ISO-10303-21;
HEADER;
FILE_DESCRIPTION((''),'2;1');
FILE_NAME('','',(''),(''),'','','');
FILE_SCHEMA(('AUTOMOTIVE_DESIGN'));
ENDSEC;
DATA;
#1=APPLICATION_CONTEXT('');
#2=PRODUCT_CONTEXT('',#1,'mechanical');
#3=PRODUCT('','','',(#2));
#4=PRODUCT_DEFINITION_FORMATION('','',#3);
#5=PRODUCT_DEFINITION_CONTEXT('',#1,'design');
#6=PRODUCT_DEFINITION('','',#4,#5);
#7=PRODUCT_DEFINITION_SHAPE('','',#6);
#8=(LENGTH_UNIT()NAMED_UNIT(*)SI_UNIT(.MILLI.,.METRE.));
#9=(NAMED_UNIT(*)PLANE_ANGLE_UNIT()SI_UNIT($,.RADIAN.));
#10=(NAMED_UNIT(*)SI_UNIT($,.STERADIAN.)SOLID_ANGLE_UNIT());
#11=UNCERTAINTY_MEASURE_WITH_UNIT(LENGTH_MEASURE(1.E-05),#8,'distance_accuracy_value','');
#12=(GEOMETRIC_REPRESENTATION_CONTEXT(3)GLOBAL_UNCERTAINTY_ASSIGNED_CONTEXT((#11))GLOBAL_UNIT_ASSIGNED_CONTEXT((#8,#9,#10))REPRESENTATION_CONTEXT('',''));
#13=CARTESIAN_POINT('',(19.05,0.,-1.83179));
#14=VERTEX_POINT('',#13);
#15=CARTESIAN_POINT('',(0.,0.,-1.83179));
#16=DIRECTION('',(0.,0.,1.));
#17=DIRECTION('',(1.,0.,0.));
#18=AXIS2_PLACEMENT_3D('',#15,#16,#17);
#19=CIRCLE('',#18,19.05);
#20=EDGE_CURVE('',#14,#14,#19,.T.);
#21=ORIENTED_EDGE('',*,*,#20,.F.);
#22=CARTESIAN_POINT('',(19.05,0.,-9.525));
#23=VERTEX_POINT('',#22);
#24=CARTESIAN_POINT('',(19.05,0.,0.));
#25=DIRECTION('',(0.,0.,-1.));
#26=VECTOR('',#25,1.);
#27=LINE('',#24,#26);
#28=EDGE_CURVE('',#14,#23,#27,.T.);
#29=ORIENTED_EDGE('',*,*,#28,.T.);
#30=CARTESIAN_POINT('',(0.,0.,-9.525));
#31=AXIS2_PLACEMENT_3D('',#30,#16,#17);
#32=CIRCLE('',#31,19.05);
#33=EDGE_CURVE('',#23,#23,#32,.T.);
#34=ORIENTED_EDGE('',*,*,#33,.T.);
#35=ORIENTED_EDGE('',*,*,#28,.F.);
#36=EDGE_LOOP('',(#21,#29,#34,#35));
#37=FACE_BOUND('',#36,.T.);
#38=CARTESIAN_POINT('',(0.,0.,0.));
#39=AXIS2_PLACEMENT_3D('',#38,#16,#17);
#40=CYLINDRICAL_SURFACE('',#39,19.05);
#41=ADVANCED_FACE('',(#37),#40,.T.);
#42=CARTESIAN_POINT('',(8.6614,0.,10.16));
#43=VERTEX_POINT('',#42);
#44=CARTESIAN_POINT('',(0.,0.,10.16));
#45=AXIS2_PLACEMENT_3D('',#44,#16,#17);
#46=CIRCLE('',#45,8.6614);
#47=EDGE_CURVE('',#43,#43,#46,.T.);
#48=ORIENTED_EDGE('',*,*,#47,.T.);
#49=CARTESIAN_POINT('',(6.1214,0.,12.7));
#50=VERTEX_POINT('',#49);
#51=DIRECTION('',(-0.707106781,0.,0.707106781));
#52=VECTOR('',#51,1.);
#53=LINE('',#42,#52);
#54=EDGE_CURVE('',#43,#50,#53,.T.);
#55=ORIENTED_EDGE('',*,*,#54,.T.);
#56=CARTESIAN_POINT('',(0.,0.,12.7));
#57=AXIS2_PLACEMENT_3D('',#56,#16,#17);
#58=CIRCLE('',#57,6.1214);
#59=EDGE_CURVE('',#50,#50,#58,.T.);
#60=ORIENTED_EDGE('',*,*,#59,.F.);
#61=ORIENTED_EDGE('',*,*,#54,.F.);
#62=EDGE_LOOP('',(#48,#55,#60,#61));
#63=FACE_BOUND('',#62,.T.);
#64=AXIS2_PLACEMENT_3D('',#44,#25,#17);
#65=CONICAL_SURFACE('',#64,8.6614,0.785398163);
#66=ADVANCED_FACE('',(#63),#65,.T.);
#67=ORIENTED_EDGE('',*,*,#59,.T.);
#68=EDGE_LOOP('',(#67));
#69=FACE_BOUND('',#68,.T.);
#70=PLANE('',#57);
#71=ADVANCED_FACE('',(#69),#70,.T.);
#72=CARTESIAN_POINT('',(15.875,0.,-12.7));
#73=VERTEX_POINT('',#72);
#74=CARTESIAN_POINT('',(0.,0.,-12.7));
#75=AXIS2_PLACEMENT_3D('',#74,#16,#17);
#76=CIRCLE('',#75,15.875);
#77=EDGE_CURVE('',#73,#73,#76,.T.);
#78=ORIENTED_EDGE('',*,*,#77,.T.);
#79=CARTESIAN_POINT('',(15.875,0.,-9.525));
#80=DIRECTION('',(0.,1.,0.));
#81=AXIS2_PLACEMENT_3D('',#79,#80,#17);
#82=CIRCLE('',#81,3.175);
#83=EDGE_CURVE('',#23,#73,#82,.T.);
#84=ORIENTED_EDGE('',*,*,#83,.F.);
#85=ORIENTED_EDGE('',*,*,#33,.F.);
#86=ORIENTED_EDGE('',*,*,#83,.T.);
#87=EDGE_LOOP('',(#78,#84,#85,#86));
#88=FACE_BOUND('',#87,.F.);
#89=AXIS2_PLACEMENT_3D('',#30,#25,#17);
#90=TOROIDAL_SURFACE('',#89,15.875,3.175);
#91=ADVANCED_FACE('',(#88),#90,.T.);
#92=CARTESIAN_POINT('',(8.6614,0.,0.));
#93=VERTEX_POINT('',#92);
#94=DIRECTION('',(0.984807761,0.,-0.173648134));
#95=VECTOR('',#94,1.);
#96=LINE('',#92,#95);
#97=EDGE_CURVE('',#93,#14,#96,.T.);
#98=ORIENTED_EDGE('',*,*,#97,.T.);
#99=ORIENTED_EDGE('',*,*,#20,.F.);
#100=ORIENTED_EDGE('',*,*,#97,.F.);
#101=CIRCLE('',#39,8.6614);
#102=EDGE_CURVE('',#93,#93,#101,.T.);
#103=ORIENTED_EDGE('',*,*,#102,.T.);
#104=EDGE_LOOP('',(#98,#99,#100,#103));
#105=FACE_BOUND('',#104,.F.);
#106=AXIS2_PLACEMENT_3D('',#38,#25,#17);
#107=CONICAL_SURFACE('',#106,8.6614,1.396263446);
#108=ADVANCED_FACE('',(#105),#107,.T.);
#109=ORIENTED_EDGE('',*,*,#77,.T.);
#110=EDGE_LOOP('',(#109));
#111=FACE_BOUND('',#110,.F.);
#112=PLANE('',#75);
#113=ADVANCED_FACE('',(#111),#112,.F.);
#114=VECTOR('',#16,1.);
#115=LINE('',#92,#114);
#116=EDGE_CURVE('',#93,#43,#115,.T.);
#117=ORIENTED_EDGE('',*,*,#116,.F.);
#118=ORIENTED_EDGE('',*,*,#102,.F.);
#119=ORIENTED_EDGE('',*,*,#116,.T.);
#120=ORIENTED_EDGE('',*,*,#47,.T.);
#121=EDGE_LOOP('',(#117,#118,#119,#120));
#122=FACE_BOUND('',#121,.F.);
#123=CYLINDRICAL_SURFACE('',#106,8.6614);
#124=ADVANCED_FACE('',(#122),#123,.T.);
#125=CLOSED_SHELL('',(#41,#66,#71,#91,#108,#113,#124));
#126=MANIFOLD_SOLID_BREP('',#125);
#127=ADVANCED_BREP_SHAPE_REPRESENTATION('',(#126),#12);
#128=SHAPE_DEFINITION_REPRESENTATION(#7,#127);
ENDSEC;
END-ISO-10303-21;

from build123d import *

# Parameters (mm, degrees)
F0_R     = 19.05
F1_DEPTH = 12.7
F2_R     = 8.6614
F3_DEPTH = 12.7
F4_SIZE  = 2.54
F7_R     = 3.175


with BuildPart() as f1:
    # F0 (on Top) → F1 (new body)
    with BuildSketch(Plane.XY):
        Circle(F0_R)
    extrude(amount=-F1_DEPTH)

    # F2 (on face) → F3 (join)
    with BuildSketch(Plane.XY):
        Circle(F2_R)
    extrude(amount=F3_DEPTH)

    # F4
    f4_edges = [f1.edges().sort_by_distance(p)[0] for p in [
        (-8.6614, 0, 12.7),
    ]]
    chamfer(f4_edges, length=F4_SIZE)

    # F5 (on Front) → F6 (revolve, cut)
    with BuildSketch(Plane.XZ):
        Polygon((19.05, -1.83179), (19.05, 0), (8.6614, 0), align=None)
    revolve(axis=Axis((0, 0, 4.455826), (0, 0, 1)), mode=Mode.SUBTRACT)

    # F7
    f7_edges = [f1.edges().sort_by_distance(p)[0] for p in [
        (-19.05, 0, -12.7),
    ]]
    fillet(f7_edges, radius=F7_R)


solid = f1.part
